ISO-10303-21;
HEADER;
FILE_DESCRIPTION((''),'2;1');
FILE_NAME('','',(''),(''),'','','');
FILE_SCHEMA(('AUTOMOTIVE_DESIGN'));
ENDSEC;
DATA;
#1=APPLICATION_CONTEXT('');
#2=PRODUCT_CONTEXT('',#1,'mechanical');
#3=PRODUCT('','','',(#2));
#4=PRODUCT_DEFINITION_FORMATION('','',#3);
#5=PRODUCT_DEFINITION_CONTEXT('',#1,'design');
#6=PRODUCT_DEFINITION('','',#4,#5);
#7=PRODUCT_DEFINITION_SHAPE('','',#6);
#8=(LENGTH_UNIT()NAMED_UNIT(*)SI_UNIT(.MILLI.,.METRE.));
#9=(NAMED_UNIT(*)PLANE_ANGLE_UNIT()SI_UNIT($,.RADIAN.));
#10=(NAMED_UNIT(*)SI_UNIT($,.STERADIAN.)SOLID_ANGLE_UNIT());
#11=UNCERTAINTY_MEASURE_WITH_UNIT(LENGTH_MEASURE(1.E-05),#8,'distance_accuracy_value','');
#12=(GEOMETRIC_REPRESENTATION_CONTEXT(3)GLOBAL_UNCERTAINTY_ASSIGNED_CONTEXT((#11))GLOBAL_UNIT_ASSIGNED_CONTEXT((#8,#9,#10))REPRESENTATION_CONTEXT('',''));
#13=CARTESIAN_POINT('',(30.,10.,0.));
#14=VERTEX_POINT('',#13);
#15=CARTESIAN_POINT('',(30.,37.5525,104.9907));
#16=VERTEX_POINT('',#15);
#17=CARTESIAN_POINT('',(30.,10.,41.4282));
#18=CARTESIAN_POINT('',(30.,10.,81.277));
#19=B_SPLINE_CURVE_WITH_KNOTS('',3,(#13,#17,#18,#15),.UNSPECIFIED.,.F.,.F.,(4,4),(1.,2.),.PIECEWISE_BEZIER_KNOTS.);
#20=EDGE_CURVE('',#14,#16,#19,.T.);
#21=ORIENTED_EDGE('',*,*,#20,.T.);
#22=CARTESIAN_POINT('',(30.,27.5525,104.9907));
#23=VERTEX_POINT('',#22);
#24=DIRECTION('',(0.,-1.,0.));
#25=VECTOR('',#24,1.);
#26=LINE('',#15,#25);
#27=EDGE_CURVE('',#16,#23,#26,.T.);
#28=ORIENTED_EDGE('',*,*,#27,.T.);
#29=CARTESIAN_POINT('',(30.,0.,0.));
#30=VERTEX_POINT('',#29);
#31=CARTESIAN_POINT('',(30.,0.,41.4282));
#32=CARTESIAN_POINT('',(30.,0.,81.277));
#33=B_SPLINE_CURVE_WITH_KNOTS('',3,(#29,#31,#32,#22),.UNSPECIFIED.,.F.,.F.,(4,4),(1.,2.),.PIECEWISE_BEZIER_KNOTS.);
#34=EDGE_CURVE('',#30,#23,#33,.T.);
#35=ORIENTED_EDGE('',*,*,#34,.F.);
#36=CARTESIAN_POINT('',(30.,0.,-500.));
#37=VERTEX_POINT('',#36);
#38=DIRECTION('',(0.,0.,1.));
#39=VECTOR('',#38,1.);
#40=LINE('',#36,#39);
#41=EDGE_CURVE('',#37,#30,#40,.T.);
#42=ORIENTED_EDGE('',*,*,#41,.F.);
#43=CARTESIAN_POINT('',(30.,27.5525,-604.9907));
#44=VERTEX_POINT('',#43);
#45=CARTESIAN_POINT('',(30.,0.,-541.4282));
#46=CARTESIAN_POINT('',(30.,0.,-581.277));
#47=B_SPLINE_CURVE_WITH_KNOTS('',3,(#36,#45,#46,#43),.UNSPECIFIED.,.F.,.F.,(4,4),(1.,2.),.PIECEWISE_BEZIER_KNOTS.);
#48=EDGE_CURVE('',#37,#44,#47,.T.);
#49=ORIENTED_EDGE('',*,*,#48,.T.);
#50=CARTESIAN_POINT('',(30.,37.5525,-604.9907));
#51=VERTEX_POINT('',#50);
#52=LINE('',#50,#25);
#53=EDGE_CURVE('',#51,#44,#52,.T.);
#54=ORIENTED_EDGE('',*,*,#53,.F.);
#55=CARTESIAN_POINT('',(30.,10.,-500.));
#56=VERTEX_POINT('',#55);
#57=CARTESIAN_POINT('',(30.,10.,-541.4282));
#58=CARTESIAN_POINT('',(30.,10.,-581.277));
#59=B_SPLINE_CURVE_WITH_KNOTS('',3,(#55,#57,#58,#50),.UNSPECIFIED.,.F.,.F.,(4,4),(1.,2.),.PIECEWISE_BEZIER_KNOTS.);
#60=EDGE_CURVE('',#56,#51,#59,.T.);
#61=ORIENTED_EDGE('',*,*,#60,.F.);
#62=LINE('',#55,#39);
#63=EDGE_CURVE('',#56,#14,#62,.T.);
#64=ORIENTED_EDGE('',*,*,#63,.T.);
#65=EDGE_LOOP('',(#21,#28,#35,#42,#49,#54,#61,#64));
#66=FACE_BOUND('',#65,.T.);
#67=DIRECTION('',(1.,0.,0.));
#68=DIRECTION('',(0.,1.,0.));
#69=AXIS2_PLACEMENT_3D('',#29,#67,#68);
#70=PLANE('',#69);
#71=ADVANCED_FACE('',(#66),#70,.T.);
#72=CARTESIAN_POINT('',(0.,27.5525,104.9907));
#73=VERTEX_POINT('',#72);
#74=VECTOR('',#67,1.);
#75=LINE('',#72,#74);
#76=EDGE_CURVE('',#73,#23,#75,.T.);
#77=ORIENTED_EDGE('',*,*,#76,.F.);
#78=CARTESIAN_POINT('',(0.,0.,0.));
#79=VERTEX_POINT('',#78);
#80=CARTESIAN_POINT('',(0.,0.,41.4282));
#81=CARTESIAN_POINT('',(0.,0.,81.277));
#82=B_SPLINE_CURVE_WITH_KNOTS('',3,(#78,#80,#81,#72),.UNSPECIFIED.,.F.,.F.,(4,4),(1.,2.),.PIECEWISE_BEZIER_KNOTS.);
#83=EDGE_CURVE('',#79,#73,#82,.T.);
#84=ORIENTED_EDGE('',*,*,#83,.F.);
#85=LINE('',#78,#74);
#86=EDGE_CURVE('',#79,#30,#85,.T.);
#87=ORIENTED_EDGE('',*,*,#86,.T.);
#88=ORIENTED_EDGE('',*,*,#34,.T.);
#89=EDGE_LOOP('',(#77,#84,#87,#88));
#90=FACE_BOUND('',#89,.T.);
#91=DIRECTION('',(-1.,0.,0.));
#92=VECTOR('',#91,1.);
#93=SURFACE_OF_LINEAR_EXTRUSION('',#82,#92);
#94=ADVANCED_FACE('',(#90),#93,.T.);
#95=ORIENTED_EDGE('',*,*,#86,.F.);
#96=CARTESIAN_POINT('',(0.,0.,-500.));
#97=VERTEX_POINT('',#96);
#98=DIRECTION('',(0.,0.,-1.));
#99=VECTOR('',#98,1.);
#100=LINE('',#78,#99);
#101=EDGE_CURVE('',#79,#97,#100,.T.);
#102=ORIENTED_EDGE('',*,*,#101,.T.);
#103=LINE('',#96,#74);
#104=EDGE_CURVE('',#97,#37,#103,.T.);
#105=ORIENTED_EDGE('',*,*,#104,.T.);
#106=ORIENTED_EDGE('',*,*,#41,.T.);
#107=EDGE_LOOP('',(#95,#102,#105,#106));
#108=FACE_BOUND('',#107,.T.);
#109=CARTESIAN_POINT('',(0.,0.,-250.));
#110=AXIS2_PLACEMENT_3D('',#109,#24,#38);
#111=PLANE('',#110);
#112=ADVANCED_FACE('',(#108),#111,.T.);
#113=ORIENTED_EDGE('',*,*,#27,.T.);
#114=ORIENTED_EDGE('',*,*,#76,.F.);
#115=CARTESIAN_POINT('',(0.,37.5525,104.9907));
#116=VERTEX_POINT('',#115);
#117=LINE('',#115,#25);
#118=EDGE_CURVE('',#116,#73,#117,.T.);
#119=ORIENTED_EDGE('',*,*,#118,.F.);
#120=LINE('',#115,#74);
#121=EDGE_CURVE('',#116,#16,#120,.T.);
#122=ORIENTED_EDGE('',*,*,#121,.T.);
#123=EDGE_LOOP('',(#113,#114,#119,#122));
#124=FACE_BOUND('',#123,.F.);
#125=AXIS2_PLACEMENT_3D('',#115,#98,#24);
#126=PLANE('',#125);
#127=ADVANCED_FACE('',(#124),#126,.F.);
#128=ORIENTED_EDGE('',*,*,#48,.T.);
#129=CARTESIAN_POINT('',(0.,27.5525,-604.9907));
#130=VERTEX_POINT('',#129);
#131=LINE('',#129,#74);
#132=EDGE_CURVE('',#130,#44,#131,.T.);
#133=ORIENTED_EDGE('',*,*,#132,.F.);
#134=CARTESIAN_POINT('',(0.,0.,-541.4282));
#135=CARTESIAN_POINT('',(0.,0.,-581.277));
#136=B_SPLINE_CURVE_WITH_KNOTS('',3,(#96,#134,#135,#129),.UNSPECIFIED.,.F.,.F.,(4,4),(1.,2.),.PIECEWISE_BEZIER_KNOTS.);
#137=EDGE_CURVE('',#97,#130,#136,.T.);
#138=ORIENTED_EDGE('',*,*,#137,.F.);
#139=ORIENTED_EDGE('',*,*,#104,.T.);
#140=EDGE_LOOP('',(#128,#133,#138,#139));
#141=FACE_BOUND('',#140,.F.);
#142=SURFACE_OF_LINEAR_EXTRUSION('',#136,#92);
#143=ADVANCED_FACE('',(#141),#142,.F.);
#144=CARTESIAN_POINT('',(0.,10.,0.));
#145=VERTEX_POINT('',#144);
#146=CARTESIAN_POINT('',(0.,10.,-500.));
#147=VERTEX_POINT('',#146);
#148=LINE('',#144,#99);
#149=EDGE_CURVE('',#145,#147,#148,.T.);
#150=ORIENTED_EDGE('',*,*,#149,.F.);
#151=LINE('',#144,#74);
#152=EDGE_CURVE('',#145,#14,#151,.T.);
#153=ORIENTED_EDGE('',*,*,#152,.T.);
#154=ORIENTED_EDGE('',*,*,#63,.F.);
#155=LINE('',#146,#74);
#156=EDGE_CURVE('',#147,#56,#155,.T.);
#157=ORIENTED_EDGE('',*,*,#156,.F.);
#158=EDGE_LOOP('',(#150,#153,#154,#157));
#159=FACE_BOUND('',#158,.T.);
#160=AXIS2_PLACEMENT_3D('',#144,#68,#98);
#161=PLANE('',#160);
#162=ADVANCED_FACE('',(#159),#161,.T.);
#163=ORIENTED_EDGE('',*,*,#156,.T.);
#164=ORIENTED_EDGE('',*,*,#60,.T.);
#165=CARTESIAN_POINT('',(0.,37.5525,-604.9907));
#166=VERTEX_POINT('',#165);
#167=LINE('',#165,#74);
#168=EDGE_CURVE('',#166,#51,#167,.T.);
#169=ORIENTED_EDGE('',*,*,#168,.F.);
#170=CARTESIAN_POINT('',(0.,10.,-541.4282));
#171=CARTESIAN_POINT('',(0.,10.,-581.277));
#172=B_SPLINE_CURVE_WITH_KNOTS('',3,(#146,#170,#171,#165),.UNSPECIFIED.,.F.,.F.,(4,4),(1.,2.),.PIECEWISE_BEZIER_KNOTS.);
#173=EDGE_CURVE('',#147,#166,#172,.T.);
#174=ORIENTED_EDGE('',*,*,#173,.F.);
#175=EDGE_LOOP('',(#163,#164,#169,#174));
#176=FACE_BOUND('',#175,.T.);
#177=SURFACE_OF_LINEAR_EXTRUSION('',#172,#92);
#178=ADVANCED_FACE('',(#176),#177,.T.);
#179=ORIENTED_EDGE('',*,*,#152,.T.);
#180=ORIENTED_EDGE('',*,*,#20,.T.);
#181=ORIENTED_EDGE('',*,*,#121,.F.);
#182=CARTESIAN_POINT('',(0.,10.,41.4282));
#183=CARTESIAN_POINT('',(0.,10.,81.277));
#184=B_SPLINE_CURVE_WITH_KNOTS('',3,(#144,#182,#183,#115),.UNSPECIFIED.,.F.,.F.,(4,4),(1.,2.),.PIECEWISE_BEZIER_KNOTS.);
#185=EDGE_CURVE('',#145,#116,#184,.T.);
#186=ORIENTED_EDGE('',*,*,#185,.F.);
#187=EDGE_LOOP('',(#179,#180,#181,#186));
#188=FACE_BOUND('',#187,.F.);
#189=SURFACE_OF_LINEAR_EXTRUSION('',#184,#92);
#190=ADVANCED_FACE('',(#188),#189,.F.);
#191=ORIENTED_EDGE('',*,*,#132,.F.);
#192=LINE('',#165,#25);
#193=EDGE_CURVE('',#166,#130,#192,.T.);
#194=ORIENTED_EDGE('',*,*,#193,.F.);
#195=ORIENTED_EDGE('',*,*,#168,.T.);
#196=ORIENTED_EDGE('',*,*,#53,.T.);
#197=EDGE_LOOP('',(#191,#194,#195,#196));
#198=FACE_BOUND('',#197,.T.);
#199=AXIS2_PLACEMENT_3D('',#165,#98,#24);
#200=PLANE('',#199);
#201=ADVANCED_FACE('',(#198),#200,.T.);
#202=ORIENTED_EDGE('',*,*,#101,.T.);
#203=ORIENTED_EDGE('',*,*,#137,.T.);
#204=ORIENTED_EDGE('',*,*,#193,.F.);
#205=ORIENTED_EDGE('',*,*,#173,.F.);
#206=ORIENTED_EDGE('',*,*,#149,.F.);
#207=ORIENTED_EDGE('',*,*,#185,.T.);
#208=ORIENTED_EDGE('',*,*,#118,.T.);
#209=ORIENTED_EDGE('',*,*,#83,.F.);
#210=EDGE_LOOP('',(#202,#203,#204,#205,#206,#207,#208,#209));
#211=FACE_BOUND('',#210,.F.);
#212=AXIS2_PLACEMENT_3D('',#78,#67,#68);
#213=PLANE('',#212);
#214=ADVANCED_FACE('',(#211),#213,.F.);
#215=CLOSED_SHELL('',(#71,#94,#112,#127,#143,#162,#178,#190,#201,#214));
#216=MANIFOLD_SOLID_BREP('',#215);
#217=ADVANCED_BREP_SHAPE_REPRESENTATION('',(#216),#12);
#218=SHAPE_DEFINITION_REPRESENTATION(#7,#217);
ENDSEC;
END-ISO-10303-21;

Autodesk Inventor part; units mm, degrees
ref_plane "YZ Plane" through (0, 0, 0) normal (1, 0, 0) x (0, 1, 0)
sketch "Sketch2" plane through (0, 0, 0) normal (1, 0, 0) x (0, 1, 0)
  line L0 (0, 0) -> (10, 0)
  line L1 (10, 0) -> (10, -500)
  line L2 (10, -500) -> (0, -500)
  line L3 (0, -500) -> (0, 0)
  line L4 (0, -500) -> (0, -541.4282) construction
  line L5 (0, -541.4282) -> (0, -581.277) construction
  line L6 (0, -581.277) -> (27.5525, -604.9907) construction
  spline S0 degree 3 poles (0, -500) (0, -541.4282) (0, -581.277) (27.5525, -604.9907) knots 1 1 1 1 2 2 2 2
  line L7 (10, -500) -> (10, -541.4282) construction
  line L8 (10, -541.4282) -> (10, -581.277) construction
  line L9 (10, -581.277) -> (37.5525, -604.9907) construction
  spline S1 degree 3 poles (10, -500) (10, -541.4282) (10, -581.277) (37.5525, -604.9907) knots 1 1 1 1 2 2 2 2
  line L10 (37.5525, -604.9907) -> (27.5525, -604.9907)
  line L11 (0, -250) -> (10, -250)
  line L12 (0, 0) -> (0, 41.4282) construction
  line L13 (0, 41.4282) -> (0, 81.277) construction
  line L14 (0, 81.277) -> (27.5525, 104.9907) construction
  spline S2 degree 3 poles (0, 0) (0, 41.4282) (0, 81.277) (27.5525, 104.9907) knots 1 1 1 1 2 2 2 2
  spline S3 degree 3 poles (10, 0) (10, 41.4282) (10, 81.277) (37.5525, 104.9907) knots 1 1 1 1 2 2 2 2
  line L15 (10, 0) -> (10, 41.4282) construction
  line L16 (10, 41.4282) -> (10, 81.277) construction
  line L17 (10, 81.277) -> (37.5525, 104.9907) construction
  line L18 (37.5525, 104.9907) -> (27.5525, 104.9907)
  dimension "d0" = 500
  dimension "d1" = 10
extrude "Extrusion1" add sketch "Sketch2" along normal blind 30
ref_plane "Work Plane1" through (30, 10, 0) normal (0, 0, 1) x (-1, 0, 0)
ref_plane "Work Plane2" through (30, 0, -500) normal (0, 0, 1) x (0, 1, 0)
properties part number "Landing_Skid"
